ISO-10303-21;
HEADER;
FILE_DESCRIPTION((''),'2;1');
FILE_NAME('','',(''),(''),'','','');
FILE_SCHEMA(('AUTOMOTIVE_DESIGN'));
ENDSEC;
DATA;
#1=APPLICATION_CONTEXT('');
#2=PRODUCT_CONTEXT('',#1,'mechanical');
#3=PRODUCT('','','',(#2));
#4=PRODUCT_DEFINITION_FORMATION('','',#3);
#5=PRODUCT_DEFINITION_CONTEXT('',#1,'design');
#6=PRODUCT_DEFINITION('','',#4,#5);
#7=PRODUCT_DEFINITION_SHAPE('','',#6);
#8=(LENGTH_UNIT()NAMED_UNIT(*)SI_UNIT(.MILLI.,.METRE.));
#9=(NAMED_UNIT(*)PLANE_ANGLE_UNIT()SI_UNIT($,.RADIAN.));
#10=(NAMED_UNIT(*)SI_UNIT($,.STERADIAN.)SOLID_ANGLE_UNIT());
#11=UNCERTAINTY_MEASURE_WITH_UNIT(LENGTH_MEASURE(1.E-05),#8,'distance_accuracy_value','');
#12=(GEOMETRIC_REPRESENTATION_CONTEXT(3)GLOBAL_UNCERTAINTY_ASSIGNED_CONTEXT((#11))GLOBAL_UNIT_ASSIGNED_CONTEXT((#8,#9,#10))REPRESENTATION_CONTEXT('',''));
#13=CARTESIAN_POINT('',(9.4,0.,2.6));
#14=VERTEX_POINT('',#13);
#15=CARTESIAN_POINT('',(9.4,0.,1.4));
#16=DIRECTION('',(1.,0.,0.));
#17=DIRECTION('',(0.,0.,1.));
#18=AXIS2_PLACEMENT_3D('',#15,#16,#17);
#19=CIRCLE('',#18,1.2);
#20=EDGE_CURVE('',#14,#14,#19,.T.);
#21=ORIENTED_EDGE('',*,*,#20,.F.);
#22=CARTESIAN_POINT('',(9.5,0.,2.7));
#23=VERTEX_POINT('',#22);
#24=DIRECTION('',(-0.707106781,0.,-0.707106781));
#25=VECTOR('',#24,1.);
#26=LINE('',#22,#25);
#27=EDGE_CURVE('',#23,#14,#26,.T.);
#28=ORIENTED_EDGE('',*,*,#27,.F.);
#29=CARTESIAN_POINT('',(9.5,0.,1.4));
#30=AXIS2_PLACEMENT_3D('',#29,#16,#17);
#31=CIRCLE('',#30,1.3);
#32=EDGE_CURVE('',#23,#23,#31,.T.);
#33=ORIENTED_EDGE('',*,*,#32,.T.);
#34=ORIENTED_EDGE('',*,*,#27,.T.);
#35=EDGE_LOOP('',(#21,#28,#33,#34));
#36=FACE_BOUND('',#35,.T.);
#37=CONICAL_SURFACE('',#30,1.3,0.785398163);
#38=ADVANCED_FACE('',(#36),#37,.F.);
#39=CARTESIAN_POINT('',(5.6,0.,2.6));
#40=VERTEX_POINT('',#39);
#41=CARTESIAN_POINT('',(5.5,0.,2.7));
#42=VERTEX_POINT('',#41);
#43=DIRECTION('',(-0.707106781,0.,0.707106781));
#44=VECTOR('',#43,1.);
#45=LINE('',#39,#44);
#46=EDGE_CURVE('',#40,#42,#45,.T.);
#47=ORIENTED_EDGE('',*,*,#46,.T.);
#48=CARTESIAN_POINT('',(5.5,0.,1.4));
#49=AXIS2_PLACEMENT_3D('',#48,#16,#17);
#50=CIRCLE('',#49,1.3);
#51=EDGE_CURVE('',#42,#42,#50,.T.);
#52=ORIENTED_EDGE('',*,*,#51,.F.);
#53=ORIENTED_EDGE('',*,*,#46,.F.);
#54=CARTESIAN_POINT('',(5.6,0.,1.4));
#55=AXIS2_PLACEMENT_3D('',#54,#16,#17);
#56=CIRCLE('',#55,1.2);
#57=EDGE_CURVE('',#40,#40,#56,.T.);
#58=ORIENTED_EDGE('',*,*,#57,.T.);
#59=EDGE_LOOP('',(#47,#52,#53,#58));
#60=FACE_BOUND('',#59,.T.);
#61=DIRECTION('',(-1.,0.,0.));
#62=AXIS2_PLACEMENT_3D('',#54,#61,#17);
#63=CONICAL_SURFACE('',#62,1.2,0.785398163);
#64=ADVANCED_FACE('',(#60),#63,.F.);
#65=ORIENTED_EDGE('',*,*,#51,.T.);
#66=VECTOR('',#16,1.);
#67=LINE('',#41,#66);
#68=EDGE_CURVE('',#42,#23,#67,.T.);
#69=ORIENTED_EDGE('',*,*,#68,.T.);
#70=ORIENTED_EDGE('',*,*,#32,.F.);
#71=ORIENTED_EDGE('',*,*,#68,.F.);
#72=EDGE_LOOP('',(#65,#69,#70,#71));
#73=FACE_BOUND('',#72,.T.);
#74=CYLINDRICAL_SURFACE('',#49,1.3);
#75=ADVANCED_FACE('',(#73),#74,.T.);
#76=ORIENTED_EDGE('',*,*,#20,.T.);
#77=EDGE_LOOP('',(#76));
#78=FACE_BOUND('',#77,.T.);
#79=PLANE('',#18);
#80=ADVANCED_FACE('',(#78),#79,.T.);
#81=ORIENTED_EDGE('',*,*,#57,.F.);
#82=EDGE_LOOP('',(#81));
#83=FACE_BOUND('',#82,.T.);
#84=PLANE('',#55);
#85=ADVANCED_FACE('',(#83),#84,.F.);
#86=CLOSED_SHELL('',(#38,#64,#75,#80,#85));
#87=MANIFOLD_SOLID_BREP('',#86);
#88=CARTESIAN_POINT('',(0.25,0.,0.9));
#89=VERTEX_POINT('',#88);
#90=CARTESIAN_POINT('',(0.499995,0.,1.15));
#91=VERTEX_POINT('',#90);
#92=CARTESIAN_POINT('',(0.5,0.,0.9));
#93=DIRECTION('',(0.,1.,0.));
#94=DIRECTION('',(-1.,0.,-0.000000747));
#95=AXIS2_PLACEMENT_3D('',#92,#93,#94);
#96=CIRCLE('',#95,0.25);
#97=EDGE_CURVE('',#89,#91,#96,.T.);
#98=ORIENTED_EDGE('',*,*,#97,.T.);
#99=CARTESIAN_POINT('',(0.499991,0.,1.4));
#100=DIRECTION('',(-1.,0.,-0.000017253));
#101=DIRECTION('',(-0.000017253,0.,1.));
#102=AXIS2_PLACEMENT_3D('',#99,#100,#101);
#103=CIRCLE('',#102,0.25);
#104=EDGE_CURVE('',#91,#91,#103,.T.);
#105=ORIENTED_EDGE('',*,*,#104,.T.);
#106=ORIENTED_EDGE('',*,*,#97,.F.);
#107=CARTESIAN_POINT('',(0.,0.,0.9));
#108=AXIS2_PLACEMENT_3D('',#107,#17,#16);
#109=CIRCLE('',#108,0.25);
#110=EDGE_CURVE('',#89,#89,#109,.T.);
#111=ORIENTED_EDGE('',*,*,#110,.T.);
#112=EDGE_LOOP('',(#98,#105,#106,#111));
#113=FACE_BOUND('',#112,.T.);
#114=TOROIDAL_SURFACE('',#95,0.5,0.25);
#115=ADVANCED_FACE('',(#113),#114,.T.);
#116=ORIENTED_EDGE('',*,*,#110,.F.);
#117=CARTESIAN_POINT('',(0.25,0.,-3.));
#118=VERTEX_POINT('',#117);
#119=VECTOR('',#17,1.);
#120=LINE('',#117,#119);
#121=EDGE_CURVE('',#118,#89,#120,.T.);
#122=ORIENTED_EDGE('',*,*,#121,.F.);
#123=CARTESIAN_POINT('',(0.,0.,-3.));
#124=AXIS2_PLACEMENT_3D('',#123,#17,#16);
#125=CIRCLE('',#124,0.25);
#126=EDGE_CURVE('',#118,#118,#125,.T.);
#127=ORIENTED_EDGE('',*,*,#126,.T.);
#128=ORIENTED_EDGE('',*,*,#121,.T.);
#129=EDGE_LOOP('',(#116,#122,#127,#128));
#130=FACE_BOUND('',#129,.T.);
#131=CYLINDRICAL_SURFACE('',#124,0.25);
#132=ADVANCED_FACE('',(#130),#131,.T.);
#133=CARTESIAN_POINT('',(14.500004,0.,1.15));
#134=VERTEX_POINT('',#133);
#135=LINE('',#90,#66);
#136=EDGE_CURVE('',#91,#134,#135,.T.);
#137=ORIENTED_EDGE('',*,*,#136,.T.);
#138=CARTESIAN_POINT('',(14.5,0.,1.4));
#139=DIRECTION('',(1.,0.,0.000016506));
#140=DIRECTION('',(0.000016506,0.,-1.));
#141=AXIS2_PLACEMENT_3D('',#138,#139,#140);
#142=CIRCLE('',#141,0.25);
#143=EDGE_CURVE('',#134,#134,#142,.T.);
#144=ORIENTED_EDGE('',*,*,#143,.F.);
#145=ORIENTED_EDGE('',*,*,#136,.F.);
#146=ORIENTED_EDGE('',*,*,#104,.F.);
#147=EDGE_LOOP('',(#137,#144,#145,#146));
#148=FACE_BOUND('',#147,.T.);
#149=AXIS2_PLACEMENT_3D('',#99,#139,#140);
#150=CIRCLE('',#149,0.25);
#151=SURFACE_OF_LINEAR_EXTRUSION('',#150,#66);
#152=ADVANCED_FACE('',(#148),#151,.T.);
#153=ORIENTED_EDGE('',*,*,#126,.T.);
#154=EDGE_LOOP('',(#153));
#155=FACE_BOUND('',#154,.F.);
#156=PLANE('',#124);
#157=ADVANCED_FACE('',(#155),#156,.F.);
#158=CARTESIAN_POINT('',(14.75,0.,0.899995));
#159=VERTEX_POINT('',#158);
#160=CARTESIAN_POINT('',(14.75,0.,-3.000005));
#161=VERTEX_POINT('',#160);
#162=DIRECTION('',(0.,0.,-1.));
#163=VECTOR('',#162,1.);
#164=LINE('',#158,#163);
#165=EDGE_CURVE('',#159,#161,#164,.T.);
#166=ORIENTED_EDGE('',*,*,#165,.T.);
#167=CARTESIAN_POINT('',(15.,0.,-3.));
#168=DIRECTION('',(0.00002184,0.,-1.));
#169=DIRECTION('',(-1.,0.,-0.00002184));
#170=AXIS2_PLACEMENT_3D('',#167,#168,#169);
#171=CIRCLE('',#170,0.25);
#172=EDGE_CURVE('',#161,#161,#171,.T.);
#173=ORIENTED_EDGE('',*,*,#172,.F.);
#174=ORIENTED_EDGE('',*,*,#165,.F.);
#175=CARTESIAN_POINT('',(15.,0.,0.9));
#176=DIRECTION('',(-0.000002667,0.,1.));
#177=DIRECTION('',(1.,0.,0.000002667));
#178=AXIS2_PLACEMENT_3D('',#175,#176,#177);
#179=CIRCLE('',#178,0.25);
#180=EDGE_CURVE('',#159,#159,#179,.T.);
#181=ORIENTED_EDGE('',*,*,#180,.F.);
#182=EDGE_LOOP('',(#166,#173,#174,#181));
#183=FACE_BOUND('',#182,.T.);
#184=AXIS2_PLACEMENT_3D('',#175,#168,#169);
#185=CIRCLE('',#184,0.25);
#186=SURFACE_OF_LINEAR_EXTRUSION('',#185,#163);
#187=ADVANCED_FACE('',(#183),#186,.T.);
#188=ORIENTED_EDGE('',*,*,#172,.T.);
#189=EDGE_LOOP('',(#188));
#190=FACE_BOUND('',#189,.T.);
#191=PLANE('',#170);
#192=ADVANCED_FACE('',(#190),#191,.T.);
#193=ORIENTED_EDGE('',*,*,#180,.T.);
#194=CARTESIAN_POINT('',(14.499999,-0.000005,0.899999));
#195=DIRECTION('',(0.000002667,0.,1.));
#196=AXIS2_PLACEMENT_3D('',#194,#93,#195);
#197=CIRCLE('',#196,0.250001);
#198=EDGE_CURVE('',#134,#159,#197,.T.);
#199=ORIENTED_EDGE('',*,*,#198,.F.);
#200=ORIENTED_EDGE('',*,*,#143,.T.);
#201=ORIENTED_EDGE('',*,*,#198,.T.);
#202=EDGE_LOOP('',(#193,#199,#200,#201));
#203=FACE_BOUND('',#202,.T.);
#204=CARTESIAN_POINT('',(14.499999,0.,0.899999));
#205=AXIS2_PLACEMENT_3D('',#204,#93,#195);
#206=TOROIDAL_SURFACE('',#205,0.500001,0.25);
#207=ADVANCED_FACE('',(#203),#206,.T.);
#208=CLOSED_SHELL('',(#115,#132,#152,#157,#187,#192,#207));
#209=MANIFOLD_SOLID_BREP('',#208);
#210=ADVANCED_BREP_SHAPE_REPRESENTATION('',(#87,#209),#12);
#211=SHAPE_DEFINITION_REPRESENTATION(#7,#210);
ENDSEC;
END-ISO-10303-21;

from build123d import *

# Parameters (mm, degrees)
SKETCH_R = 0.25


with BuildPart() as sweep_body:
    # Sweep: sweep along a path in Sketch001
    with BuildLine(Plane.XZ) as sweep_path:
        Line((0, -3), (0, 0.9))
        ThreePointArc((0, 0.9), (0.146443, 1.25355), (0.499991, 1.4))
        Line((0.499991, 1.4), (14.5, 1.4))
        ThreePointArc((14.5, 1.4), (14.853553, 1.253553), (15, 0.9))
        Line((15, 0.9), (15, -3))
    # Sketch → Sweep (sweep)
    with BuildSketch(Plane.XY.offset(-2)):
        Circle(SKETCH_R)
    sweep(path=sweep_path.line)


with BuildPart() as revolution:
    # Sketch002 → Revolution (revolve)
    with BuildSketch(Plane.XZ):
        Polygon((5.5, 2.7), (9.5, 2.7), (9.4, 2.6), (9.4, 1.4), (5.6, 1.4), (5.6, 2.6), align=None)
    revolve(axis=Axis((7.611803, 0, 1.4), (1, 0, 0)))


solid = Compound([sweep_body.part, revolution.part])
